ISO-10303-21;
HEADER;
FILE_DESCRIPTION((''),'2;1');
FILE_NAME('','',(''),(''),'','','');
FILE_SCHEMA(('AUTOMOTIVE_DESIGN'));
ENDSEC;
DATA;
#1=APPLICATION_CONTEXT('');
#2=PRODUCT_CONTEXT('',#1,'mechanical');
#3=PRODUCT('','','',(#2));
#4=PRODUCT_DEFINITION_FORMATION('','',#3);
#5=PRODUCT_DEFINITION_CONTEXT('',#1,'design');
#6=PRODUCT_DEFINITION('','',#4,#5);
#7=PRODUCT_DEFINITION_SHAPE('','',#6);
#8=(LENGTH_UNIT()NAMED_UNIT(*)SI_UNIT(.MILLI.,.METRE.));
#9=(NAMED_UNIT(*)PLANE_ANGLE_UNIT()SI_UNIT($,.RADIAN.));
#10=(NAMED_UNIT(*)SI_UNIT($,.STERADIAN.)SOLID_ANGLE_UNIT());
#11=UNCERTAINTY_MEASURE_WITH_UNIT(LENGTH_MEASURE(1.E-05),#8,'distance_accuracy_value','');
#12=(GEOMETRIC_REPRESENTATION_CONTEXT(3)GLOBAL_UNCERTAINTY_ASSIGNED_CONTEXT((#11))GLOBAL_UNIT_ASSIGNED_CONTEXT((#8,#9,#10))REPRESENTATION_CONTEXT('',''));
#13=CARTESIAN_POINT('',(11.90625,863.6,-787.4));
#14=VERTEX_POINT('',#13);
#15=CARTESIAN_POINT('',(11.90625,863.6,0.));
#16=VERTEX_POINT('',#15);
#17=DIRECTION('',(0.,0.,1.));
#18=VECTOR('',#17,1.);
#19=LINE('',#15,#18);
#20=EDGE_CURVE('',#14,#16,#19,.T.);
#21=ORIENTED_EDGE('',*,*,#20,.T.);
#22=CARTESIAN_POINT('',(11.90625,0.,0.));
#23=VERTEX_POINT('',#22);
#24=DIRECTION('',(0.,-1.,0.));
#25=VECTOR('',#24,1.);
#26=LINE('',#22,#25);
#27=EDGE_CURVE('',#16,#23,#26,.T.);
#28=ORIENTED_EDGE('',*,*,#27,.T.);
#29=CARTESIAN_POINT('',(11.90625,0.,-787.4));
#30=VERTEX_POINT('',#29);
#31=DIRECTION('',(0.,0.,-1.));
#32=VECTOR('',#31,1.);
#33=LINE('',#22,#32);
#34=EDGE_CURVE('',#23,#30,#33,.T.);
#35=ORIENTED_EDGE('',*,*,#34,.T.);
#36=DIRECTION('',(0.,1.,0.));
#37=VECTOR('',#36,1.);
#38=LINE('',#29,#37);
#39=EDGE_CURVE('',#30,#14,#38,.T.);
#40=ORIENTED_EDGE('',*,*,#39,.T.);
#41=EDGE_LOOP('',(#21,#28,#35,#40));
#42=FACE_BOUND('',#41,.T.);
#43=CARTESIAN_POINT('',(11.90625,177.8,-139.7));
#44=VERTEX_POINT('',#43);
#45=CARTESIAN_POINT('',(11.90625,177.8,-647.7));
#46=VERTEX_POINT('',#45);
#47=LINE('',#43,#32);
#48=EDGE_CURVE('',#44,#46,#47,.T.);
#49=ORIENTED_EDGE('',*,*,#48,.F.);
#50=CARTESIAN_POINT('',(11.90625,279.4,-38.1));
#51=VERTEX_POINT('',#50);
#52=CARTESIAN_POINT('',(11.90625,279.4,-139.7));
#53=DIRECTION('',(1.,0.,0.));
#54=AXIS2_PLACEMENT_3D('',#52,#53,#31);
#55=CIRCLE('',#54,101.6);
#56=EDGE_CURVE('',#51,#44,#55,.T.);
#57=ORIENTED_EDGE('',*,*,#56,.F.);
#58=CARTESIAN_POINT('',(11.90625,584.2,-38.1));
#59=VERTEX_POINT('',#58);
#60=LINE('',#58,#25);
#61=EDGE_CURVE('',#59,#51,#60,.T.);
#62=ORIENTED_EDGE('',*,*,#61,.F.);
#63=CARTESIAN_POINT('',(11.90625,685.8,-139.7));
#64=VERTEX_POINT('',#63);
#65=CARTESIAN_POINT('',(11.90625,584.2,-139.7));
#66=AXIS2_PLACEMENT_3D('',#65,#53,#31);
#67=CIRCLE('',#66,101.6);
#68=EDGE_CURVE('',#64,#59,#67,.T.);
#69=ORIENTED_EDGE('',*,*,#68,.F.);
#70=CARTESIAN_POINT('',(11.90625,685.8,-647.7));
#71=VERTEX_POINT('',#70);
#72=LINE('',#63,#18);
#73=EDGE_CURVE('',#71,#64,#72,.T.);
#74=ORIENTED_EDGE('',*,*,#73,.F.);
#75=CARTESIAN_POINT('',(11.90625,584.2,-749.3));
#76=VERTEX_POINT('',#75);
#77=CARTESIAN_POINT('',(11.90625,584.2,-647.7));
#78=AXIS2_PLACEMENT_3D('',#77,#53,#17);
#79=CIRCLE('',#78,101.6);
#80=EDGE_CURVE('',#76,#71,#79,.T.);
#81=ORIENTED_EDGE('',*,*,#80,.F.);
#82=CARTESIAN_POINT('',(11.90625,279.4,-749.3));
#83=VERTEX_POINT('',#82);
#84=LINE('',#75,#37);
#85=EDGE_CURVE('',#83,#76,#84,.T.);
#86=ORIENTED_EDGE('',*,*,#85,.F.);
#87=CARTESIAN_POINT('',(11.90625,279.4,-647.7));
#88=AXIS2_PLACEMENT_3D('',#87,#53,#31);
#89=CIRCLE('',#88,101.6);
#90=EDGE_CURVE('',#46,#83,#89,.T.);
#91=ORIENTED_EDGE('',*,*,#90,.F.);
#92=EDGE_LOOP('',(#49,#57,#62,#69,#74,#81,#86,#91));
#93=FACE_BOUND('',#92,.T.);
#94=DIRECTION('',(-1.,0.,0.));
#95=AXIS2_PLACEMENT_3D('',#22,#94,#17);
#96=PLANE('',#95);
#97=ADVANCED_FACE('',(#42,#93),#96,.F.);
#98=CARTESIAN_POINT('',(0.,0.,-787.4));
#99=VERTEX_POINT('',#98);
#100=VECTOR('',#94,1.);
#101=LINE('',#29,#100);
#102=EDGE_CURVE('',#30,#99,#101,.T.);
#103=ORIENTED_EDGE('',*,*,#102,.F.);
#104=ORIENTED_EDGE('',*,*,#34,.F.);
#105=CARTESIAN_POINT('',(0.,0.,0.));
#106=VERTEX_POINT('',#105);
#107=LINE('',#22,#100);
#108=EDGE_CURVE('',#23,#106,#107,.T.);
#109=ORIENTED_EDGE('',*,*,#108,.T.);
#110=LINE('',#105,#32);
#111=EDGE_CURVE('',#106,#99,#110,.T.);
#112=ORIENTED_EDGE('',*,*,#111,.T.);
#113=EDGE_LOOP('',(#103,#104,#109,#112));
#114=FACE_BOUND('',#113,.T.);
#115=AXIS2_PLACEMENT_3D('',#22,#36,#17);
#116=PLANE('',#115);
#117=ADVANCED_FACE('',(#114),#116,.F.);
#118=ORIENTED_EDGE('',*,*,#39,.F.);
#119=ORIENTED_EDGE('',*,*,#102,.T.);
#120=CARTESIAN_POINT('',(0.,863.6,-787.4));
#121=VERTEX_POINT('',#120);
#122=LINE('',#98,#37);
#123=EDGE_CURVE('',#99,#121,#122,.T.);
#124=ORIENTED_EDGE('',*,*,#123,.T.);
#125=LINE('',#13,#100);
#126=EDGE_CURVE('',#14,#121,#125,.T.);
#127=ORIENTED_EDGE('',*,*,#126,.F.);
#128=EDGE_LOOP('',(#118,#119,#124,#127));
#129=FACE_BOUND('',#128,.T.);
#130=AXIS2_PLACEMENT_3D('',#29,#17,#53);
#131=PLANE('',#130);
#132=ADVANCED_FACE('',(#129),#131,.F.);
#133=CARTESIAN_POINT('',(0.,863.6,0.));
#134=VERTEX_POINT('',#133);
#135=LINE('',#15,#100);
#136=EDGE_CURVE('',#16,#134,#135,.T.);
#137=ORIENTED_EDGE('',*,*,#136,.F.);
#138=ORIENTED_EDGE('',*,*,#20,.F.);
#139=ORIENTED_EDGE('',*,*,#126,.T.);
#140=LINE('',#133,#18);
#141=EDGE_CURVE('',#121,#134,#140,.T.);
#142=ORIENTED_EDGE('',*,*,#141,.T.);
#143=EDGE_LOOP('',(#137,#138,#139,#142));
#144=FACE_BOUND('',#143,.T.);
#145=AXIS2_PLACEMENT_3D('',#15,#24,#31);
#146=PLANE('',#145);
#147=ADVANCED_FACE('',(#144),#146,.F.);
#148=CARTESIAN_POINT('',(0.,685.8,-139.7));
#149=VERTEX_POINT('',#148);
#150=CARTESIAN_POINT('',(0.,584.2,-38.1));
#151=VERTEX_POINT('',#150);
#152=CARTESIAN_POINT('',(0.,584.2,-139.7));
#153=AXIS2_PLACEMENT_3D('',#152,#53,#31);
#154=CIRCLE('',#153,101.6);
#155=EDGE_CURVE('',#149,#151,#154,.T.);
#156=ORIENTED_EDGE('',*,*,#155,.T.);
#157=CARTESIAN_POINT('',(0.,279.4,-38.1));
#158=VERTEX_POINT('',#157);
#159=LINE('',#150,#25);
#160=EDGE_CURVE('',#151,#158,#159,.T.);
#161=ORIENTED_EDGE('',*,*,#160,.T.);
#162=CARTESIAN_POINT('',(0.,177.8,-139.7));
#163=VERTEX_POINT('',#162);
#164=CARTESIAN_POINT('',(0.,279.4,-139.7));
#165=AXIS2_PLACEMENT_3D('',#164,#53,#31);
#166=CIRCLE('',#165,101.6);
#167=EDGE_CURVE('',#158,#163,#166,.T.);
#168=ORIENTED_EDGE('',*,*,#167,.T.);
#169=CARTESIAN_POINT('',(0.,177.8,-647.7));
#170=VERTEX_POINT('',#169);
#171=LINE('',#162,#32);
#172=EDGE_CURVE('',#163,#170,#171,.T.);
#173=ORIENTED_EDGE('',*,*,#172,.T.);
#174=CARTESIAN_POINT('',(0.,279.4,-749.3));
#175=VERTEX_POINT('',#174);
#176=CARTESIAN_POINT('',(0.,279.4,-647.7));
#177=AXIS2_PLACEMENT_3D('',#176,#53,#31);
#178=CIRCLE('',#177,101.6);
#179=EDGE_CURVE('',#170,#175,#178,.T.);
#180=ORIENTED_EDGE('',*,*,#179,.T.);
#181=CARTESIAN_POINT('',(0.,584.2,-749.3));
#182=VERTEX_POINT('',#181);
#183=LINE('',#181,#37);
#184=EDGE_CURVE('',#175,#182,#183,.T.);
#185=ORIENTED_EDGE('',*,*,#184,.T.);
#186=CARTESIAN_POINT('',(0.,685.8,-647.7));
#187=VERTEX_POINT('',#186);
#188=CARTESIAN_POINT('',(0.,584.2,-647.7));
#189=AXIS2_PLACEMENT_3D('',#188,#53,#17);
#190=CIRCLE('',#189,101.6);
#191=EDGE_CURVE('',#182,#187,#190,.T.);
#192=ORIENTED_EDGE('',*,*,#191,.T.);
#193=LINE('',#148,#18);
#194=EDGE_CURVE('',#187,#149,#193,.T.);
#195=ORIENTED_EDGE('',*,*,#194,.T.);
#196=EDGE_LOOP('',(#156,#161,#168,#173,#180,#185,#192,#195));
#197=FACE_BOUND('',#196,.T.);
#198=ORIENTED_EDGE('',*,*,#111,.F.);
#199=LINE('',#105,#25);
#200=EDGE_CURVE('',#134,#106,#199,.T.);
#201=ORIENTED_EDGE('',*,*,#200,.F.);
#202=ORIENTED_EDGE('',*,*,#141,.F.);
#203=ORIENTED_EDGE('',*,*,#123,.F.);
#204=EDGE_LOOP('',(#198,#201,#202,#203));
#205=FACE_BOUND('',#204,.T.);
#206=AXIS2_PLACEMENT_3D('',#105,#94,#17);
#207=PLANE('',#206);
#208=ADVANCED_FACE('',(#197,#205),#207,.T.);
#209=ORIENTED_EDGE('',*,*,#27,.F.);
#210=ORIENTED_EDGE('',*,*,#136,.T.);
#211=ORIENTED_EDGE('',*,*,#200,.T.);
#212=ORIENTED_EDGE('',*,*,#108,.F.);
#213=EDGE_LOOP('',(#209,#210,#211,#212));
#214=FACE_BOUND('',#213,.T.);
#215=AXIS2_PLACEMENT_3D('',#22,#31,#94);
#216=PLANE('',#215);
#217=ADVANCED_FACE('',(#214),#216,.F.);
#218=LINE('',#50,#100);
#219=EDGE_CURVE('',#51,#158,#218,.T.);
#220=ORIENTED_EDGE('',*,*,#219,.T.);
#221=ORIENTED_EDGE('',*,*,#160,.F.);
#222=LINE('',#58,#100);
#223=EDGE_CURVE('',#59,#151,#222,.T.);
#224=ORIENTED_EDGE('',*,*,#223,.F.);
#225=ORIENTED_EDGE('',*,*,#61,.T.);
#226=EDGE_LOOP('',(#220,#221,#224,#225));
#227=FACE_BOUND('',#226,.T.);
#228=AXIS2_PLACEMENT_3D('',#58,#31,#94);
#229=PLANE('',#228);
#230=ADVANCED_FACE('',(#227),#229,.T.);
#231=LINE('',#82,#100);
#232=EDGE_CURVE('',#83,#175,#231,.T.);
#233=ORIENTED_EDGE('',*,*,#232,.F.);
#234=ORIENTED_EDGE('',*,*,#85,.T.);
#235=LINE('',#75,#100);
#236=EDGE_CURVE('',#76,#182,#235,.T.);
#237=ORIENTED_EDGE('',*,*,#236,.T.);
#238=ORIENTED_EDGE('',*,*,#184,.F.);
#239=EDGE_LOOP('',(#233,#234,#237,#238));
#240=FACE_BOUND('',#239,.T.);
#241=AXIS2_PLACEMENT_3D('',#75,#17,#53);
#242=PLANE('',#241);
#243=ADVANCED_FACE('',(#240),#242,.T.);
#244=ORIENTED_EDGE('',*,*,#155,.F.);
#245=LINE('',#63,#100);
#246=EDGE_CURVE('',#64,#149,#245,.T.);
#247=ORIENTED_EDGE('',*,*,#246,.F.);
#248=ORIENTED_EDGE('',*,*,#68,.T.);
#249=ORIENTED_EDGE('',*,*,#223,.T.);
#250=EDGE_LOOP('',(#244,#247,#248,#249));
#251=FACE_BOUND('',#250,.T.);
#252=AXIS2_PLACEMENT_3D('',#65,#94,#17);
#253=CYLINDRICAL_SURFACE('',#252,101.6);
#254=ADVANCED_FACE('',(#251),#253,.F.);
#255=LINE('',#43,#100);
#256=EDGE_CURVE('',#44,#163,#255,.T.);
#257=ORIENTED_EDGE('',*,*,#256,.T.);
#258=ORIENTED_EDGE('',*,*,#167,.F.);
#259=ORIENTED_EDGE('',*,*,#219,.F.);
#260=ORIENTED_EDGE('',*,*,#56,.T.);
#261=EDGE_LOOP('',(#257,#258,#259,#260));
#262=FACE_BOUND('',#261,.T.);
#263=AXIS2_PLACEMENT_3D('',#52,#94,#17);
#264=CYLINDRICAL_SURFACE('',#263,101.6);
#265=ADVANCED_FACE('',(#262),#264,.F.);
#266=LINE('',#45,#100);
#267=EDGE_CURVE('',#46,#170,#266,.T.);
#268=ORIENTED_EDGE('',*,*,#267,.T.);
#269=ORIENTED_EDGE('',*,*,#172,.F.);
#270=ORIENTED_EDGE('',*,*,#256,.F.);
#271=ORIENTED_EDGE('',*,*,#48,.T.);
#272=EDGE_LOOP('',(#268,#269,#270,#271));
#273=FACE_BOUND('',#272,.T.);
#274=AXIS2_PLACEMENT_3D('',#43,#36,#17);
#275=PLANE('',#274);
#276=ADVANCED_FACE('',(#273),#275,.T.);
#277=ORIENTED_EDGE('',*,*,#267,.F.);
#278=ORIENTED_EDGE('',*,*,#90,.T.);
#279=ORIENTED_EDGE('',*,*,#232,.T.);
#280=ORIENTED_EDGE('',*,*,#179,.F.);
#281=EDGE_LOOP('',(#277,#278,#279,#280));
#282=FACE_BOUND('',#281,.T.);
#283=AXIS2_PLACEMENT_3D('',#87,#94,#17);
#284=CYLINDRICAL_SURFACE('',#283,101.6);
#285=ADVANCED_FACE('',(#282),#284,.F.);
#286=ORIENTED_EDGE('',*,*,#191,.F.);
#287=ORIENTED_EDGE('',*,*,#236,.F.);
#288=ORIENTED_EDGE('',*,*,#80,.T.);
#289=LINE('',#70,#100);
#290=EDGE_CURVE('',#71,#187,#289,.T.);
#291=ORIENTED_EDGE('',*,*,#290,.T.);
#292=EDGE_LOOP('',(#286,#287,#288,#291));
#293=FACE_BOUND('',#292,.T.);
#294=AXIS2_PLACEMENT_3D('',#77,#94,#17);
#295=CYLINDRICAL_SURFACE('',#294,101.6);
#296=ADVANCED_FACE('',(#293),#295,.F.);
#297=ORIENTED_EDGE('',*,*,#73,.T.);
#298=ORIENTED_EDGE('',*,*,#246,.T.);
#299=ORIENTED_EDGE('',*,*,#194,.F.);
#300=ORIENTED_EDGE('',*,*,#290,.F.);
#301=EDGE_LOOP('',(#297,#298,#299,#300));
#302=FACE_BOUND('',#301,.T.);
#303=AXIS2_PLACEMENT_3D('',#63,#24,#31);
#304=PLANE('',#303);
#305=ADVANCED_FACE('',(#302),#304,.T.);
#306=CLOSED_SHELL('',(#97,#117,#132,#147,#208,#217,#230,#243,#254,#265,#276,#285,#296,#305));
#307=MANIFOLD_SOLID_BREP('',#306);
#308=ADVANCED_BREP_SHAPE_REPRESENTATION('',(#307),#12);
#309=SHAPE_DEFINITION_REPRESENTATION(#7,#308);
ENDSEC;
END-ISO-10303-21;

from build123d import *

# Parameters (mm, degrees)
SKETCH1_W           = 787.4
SKETCH1_H           = 863.6
BOSS_EXTRUDE1_DEPTH = 11.90625


with BuildPart() as part:
    # Sketch1 → Boss-Extrude1 (new body)
    with BuildSketch(Plane(origin=(0, 0, 0), x_dir=(0, 0, -1), z_dir=(1, 0, 0))):
        with Locations((393.7, 431.8)):
            Rectangle(SKETCH1_W, SKETCH1_H)
        with BuildLine():
            Line((139.7, 685.8), (647.7, 685.8))
            ThreePointArc((647.7, 685.8), (719.542048969, 656.042048969), (749.3, 584.2))
            Line((749.3, 584.2), (749.3, 279.4))
            ThreePointArc((749.3, 279.4), (719.542048969, 207.557951031), (647.7, 177.8))
            Line((647.7, 177.8), (139.7, 177.8))
            ThreePointArc((139.7, 177.8), (67.857951031, 207.557951031), (38.1, 279.4))
            Line((38.1, 279.4), (38.1, 584.2))
            ThreePointArc((38.1, 584.2), (67.857951031, 656.042048969), (139.7, 685.8))
        make_face(mode=Mode.SUBTRACT)
    extrude(amount=BOSS_EXTRUDE1_DEPTH)


solid = part.part
